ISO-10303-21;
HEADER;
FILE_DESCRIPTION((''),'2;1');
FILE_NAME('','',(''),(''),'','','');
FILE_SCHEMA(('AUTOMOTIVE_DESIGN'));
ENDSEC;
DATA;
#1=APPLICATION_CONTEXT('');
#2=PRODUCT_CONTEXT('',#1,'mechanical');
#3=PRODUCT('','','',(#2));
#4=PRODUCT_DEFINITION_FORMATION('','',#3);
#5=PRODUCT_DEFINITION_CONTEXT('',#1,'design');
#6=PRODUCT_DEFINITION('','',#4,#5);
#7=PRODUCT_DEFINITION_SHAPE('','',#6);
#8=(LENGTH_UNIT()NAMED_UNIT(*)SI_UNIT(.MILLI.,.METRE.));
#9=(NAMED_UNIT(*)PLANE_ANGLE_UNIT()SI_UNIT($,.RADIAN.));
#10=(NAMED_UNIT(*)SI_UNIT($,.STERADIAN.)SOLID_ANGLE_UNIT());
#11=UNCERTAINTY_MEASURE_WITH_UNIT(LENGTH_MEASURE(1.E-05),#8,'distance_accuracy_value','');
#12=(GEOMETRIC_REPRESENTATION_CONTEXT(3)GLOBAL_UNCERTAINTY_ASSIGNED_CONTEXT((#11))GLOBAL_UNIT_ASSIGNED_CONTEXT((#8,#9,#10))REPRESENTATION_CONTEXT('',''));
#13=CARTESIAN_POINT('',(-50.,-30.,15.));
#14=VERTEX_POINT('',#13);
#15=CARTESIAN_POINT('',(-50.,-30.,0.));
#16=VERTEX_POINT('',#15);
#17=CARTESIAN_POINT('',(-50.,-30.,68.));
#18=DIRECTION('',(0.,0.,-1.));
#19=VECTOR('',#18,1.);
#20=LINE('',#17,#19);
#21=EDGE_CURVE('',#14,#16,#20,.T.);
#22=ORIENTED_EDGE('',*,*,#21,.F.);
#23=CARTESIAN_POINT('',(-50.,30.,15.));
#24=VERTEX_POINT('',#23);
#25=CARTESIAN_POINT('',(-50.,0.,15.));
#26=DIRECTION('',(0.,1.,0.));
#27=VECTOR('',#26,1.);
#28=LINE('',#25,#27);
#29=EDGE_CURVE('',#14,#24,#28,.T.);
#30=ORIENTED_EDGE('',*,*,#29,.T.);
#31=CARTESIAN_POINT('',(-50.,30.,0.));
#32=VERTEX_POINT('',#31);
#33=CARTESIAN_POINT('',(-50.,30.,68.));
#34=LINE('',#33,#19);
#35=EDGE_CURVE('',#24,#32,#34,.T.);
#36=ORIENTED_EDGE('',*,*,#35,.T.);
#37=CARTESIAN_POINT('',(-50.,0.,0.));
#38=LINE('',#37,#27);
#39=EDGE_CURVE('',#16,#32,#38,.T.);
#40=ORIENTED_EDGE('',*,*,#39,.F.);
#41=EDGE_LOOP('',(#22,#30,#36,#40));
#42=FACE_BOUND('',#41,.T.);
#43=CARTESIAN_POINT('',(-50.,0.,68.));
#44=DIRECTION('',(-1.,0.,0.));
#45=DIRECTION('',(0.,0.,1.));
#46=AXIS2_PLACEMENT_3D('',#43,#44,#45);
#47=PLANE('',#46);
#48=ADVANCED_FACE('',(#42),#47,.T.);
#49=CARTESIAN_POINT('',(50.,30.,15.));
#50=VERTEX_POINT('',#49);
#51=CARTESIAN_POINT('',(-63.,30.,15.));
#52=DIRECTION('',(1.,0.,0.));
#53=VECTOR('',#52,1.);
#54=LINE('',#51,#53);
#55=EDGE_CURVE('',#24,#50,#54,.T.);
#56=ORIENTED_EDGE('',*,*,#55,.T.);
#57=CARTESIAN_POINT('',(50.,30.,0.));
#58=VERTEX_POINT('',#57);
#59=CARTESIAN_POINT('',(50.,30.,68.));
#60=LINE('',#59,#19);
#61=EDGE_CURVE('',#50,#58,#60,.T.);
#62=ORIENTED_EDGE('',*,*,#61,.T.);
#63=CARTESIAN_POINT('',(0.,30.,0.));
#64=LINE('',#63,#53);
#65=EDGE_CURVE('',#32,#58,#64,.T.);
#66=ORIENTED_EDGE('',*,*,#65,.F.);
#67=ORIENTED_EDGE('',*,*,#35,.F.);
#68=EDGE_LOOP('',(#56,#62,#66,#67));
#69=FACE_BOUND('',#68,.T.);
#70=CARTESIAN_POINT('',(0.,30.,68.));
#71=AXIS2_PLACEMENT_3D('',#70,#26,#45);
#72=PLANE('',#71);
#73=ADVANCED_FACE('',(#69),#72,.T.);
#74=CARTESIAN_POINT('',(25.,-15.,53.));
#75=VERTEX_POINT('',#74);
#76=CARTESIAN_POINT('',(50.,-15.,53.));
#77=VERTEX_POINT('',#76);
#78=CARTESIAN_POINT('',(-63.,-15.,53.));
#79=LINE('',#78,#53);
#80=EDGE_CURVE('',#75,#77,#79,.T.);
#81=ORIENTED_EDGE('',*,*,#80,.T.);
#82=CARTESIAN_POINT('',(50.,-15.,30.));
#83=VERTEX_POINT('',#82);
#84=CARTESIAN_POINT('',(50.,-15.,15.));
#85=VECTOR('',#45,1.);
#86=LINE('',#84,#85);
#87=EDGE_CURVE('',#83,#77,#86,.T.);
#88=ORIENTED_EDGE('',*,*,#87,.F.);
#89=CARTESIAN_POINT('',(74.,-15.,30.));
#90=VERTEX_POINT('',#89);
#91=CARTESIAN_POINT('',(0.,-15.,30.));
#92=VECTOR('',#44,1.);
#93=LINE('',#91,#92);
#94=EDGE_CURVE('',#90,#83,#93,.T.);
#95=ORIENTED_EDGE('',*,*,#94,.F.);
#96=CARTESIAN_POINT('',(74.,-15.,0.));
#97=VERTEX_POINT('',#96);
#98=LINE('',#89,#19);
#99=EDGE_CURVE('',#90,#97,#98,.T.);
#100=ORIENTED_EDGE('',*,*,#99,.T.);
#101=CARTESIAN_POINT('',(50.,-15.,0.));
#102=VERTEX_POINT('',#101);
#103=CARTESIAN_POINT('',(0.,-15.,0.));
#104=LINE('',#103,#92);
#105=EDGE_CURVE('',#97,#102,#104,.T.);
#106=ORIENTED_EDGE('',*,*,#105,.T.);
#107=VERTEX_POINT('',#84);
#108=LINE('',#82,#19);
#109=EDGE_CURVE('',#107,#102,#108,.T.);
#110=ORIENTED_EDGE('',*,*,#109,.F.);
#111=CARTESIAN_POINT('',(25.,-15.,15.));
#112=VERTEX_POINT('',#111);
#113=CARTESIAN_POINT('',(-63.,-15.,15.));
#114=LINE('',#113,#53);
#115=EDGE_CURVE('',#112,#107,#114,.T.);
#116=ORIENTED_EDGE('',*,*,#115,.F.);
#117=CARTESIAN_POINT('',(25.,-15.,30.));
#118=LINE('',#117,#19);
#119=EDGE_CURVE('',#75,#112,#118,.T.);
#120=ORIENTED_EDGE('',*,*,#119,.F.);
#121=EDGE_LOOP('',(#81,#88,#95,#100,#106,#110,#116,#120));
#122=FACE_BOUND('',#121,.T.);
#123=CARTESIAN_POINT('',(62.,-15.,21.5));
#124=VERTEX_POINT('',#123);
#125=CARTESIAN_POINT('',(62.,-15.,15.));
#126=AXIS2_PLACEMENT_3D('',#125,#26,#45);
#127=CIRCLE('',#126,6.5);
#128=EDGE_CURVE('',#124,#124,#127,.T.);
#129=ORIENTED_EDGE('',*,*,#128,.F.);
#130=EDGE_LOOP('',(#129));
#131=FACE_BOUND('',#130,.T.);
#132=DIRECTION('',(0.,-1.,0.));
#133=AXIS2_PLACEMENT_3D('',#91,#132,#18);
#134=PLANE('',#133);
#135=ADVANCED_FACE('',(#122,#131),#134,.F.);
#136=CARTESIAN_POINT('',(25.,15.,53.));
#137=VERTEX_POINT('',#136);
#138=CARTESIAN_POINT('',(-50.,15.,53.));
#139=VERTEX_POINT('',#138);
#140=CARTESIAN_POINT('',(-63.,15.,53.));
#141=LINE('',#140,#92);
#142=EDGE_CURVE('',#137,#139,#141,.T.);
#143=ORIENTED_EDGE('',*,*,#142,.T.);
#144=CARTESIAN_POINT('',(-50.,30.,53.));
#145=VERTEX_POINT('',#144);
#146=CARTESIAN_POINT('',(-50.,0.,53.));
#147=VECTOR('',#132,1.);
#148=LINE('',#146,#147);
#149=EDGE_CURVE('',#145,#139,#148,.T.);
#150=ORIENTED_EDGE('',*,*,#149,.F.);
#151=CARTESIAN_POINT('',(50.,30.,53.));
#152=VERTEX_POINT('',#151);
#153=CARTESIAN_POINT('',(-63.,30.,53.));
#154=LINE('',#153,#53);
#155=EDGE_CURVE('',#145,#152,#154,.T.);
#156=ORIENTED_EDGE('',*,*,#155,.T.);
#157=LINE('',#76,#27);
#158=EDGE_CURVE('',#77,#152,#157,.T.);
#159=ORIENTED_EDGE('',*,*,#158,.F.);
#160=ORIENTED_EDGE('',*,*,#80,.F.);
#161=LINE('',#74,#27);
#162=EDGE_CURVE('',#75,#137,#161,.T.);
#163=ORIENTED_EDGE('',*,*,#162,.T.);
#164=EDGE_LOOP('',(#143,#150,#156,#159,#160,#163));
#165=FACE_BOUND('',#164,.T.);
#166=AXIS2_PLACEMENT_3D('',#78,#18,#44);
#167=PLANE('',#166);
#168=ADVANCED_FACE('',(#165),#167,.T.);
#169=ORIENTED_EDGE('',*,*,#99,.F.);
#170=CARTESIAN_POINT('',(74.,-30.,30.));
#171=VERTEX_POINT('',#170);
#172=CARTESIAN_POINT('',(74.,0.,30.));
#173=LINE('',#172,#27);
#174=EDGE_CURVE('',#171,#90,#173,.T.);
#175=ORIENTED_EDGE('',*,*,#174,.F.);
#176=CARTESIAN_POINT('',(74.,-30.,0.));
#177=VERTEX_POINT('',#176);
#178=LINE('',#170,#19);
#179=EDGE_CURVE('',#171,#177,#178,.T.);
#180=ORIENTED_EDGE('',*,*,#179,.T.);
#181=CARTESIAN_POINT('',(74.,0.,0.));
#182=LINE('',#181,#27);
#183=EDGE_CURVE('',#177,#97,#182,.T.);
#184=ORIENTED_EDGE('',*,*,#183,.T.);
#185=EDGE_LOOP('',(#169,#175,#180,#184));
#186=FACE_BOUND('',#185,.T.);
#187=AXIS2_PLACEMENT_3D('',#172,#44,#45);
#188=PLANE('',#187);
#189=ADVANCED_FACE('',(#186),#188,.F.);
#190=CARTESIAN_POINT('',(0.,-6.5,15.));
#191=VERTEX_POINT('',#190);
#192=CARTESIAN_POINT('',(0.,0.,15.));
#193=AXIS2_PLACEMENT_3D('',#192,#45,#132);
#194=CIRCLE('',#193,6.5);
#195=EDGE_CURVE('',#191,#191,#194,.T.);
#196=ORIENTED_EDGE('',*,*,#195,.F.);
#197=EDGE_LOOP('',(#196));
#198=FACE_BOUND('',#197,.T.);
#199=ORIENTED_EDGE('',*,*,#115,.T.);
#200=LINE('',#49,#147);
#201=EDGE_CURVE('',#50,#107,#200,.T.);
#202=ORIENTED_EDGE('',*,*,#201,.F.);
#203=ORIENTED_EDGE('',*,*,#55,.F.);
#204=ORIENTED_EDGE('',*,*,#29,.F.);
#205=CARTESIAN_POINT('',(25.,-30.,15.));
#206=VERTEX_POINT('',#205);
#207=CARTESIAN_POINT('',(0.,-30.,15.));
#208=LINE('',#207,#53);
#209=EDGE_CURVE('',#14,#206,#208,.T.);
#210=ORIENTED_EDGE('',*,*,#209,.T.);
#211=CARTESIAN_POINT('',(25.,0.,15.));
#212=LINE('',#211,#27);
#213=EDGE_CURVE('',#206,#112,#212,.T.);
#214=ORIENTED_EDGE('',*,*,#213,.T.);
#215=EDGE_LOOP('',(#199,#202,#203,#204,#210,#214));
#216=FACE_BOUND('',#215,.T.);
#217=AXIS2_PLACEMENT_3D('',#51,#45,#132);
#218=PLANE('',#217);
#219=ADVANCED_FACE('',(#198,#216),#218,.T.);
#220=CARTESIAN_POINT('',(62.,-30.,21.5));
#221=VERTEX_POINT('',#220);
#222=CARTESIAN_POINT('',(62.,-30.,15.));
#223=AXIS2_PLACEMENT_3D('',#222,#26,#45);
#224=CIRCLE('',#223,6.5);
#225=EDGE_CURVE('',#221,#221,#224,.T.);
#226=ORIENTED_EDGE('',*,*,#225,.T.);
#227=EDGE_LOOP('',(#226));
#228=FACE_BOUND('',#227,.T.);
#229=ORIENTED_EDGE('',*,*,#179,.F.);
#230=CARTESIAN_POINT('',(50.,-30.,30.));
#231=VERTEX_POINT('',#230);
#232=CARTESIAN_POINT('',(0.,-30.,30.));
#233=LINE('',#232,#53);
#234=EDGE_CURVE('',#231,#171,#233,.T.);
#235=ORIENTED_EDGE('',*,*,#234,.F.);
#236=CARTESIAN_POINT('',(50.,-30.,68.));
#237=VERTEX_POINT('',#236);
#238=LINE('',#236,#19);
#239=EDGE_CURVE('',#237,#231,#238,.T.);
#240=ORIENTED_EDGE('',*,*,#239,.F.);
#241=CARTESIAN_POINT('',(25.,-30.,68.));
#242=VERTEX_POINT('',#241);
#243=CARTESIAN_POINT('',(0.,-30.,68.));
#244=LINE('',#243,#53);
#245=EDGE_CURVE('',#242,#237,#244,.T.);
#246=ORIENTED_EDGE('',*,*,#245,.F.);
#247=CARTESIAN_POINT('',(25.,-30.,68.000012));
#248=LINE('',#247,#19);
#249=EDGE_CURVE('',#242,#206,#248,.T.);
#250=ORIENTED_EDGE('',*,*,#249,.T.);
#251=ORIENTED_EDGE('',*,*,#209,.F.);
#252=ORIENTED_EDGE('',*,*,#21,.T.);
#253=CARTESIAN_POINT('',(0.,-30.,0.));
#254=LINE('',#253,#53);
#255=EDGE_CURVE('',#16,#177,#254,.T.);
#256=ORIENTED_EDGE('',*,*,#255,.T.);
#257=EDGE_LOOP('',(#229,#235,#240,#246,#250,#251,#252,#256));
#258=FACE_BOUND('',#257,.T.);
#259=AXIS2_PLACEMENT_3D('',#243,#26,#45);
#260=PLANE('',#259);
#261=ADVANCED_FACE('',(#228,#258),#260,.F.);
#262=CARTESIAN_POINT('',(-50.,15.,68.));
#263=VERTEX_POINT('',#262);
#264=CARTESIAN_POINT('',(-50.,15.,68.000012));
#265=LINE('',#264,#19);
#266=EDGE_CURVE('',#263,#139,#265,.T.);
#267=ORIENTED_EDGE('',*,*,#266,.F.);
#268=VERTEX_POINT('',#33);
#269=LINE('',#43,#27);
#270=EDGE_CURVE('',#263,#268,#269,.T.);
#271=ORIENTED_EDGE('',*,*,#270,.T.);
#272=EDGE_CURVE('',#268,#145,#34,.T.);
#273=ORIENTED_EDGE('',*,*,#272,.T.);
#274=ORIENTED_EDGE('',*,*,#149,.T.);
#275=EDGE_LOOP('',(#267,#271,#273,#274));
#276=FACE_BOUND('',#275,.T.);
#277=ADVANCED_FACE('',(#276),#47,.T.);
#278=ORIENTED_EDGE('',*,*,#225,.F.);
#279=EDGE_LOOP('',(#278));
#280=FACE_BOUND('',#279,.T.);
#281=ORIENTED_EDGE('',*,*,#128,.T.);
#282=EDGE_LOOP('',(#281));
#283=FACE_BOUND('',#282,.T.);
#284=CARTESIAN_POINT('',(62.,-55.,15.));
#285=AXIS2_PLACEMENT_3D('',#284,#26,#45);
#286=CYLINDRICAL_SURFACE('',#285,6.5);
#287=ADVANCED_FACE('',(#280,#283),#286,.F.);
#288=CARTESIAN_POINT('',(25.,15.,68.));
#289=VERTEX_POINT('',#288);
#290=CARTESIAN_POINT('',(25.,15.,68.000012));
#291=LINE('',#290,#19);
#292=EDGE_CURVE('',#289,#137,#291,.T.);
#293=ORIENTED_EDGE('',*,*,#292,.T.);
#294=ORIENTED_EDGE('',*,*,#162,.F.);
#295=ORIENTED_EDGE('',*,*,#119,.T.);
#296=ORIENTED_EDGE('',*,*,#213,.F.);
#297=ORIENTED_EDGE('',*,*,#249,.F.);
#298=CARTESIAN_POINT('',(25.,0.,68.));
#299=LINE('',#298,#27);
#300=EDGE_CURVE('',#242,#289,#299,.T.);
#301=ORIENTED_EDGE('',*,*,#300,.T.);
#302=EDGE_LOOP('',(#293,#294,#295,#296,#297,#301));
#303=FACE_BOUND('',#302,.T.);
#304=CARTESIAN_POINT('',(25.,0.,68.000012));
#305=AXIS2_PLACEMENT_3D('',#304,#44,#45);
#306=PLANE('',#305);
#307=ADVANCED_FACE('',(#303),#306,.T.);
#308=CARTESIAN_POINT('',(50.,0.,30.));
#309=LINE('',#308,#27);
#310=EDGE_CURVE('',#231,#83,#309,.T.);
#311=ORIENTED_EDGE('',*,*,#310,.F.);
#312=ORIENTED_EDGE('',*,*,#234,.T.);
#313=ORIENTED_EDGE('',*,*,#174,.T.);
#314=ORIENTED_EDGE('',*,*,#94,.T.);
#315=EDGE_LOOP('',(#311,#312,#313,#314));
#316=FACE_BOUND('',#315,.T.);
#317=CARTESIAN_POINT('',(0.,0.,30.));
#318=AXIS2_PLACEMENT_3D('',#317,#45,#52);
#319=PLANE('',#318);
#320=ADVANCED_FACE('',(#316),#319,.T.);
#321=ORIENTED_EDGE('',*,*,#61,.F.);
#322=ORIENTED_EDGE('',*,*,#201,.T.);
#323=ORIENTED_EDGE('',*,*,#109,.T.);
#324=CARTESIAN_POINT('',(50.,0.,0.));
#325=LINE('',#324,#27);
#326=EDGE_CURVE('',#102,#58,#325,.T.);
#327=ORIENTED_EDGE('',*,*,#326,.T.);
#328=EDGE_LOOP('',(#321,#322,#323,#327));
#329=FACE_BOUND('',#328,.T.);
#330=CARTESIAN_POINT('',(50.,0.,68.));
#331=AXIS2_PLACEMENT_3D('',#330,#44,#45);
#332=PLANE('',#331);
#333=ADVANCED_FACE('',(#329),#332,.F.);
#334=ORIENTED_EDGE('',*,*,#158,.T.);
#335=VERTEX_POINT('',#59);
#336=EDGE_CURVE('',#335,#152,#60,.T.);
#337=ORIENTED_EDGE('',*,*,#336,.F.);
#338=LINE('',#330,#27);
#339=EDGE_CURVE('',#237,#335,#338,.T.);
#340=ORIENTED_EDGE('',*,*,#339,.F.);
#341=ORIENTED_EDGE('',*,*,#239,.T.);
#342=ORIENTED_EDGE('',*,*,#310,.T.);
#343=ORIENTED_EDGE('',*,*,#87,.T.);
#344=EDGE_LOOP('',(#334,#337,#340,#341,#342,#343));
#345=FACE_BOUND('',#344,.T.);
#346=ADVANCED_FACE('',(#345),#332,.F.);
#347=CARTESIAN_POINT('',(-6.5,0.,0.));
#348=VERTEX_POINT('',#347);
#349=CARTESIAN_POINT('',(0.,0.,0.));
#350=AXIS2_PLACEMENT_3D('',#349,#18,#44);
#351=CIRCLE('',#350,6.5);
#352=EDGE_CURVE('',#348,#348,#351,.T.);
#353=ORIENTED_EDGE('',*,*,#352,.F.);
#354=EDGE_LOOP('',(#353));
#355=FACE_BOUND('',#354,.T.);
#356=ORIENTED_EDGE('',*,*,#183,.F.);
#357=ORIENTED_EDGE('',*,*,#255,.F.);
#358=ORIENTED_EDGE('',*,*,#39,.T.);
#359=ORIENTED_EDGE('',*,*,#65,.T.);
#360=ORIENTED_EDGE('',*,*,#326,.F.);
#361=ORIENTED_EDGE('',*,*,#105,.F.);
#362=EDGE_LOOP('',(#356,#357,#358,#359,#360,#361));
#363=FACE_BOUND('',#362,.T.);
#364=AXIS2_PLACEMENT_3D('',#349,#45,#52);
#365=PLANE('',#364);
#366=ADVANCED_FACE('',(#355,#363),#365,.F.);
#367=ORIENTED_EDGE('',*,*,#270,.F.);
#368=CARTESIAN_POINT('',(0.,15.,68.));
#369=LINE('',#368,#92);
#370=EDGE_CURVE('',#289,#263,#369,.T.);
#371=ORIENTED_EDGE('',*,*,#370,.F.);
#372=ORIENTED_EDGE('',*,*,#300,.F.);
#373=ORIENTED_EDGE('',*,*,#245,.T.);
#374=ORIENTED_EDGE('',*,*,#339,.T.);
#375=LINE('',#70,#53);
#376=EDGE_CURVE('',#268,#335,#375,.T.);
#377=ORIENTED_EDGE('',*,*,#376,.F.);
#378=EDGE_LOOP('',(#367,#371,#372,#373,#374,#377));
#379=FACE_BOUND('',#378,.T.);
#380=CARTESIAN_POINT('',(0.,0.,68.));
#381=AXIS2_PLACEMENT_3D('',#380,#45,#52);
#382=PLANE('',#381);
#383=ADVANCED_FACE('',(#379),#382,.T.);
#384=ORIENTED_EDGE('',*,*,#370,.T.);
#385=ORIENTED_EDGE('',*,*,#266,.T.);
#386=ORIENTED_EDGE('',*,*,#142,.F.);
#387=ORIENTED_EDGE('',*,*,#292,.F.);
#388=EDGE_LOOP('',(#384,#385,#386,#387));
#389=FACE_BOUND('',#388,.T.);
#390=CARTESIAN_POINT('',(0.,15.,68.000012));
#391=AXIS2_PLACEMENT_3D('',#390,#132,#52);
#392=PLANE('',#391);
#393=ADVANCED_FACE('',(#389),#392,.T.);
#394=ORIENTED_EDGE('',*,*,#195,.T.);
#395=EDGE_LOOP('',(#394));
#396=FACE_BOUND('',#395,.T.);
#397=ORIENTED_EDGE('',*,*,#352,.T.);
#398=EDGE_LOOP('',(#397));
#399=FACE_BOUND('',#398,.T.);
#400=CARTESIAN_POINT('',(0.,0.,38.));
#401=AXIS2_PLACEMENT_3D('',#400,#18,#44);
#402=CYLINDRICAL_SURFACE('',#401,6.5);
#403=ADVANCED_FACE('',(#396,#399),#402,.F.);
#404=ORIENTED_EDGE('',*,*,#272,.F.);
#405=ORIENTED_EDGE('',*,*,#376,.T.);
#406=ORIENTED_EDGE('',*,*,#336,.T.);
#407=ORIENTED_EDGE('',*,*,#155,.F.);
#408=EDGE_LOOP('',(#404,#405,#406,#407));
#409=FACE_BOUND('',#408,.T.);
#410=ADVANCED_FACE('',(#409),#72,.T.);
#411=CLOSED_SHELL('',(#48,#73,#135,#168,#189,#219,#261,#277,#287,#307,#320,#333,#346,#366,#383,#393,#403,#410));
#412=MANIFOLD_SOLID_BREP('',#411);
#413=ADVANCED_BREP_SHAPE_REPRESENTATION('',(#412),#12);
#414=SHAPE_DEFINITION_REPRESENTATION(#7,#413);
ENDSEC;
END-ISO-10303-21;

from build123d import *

# Parameters (mm, degrees)
BOSS_EXTRUDE1_DEPTH     = 68
SKETCH1_3_W             = 24
SKETCH1_3_H             = 15
BOSS_EXTRUDE2_DEPTH     = 30
SKETCH2_R               = 6.5
CUT_EXTRUDE1_DEPTH      = 40
SKETCH3_W               = 38
SKETCH3_H               = 45
CUT_EXTRUDE2_DEPTH      = 113
CUT_EXTRUDE3_DEPTH      = 105.880884817
CUT_EXTRUDE3_DEPTH_BACK = 53
SKETCH4_W               = 75
SKETCH4_H               = 45
SKETCH5_R               = 6.5
CUT_EXTRUDE4_DEPTH      = 38


with BuildPart() as part:
    # Sketch1 → Boss-Extrude1 (new body)
    with BuildSketch(Plane.XY):
        Polygon((-50, -30), (50, -30), (50, -15), (50, 30), (-50, 30), align=None)
    extrude(amount=BOSS_EXTRUDE1_DEPTH)

    # Sketch1<3> → Boss-Extrude2 (add)
    with BuildSketch(Plane.XY):
        with Locations((62, -22.5)):
            Rectangle(SKETCH1_3_W, SKETCH1_3_H)
    extrude(amount=BOSS_EXTRUDE2_DEPTH)

    # Sketch2 → Cut-Extrude1 (cut)
    with BuildSketch(Plane(origin=(0, -15, 0), x_dir=(1, 0, 0), z_dir=(0, 1, 0))):
        with Locations((62, -15)):
            Circle(SKETCH2_R)
    extrude(amount=-CUT_EXTRUDE1_DEPTH, mode=Mode.SUBTRACT)

    # Sketch3 → Cut-Extrude2 (cut)
    with BuildSketch(Plane(origin=(50, 0, 0), x_dir=(0, 0, -1), z_dir=(1, 0, 0))):
        with Locations((-34, 7.5)):
            Rectangle(SKETCH3_W, SKETCH3_H)
    extrude(amount=-CUT_EXTRUDE2_DEPTH, mode=Mode.SUBTRACT)

    # Sketch4 → Cut-Extrude3 (cut, two sides: drawn at the far end of the back side and taken through both)
    with BuildSketch(Plane.XY.offset(68).offset(-CUT_EXTRUDE3_DEPTH_BACK)):
        with Locations((-12.5, -7.5)):
            Rectangle(SKETCH4_W, SKETCH4_H)
    extrude(amount=CUT_EXTRUDE3_DEPTH + CUT_EXTRUDE3_DEPTH_BACK, mode=Mode.SUBTRACT)

    # Sketch5 → Cut-Extrude4 (cut)
    with BuildSketch(Plane(origin=(0, 0, 0), x_dir=(-1, 0, 0), z_dir=(0, 0, -1))):
        Circle(SKETCH5_R)
    extrude(amount=-CUT_EXTRUDE4_DEPTH, mode=Mode.SUBTRACT)


solid = part.part
